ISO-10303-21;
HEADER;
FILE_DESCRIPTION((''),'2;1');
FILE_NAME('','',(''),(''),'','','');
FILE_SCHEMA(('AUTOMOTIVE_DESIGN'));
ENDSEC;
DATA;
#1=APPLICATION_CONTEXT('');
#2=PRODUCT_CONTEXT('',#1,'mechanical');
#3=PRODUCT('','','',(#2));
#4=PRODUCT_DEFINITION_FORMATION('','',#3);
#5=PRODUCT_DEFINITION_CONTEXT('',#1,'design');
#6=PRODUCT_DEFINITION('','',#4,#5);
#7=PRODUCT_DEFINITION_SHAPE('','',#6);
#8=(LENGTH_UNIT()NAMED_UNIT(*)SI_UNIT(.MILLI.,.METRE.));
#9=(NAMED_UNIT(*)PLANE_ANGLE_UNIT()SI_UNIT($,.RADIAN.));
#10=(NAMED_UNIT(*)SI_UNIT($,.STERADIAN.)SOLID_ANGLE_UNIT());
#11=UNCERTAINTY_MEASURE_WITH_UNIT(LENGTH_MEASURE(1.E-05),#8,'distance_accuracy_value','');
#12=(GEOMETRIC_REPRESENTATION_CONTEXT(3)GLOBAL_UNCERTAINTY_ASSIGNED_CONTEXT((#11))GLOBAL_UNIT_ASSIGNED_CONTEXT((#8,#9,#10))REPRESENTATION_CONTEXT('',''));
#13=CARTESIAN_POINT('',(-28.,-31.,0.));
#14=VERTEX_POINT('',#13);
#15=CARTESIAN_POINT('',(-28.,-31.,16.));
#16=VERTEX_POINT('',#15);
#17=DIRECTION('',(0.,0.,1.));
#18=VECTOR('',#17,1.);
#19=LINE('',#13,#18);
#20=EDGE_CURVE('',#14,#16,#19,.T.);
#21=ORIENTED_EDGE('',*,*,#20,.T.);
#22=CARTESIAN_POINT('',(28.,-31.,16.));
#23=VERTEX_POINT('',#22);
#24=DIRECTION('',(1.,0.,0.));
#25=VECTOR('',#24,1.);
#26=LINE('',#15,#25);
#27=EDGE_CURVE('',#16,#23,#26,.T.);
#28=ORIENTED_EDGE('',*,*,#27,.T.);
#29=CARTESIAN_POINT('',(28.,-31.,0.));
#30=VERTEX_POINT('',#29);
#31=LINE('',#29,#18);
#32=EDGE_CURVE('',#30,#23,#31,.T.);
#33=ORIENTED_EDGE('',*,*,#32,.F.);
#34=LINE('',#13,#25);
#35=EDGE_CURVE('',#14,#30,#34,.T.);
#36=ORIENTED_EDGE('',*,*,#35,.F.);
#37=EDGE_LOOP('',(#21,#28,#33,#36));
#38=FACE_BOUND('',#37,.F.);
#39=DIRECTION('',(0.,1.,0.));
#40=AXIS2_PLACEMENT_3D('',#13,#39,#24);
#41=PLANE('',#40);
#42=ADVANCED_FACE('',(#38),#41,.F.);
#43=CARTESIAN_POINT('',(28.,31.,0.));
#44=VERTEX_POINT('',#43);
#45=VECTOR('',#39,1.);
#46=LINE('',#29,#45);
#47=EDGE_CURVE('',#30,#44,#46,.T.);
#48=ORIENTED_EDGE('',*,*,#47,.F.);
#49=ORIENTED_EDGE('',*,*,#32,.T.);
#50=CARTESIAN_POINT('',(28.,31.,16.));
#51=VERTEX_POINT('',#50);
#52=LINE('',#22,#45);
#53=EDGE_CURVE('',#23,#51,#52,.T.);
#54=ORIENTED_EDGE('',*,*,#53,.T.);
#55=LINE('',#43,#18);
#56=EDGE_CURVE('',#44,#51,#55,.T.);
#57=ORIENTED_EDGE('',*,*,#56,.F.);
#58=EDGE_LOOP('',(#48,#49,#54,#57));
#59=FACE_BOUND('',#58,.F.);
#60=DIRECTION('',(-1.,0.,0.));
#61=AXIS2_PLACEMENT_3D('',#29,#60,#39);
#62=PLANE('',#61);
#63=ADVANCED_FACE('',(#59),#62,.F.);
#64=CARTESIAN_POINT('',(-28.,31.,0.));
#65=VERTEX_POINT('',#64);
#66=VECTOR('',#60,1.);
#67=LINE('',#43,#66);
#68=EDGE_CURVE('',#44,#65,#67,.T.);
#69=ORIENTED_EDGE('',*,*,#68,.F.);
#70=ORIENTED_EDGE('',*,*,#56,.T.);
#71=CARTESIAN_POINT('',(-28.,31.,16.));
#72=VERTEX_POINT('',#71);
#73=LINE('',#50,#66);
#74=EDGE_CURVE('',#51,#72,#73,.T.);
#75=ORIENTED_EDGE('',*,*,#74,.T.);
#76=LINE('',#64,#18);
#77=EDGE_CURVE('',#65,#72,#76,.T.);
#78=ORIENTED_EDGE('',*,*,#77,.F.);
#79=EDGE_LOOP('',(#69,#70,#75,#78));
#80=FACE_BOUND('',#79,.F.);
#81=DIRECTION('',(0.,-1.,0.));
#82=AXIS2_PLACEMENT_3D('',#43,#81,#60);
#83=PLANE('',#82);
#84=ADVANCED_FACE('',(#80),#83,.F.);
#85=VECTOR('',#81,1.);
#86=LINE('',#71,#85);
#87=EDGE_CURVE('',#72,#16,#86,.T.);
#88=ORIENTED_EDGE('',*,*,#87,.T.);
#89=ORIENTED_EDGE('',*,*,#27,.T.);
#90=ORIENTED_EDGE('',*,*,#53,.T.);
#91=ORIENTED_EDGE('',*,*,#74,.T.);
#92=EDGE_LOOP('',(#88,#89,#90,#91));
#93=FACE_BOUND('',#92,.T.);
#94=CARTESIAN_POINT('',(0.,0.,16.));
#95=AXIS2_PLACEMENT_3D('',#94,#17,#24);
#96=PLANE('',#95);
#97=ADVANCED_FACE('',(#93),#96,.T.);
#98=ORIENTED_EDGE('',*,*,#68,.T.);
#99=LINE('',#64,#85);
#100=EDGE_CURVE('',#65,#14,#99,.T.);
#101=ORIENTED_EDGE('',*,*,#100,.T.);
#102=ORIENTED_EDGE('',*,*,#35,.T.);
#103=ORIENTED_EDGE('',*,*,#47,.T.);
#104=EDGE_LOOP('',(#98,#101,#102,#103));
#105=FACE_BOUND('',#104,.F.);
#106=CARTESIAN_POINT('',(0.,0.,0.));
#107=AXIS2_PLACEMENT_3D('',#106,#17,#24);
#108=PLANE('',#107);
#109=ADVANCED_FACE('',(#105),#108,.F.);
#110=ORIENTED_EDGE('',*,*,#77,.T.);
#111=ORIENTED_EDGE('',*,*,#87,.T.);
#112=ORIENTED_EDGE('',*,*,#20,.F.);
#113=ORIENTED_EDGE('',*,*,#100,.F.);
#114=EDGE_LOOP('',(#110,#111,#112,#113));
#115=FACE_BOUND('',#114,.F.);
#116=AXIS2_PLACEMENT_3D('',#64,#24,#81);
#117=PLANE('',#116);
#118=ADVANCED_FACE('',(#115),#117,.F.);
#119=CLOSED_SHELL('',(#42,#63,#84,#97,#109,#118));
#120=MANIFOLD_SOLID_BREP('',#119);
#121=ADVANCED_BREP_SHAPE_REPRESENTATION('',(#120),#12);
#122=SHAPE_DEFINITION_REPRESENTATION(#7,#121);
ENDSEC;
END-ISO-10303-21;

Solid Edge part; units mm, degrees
sketch "Sketch1" plane through (0, 0, 0) normal (0, 0, 1) x (1, 0, 0)
  line L0 (-28, -31) -> (28, -31)
  line L1 (28, -31) -> (28, 31)
  line L2 (28, 31) -> (-28, 31)
  line L3 (-28, 31) -> (-28, -31)
  dimension "D1" = 62
  dimension "D2" = 56
extrude "Ajout_matière_1" add sketch "Sketch1" along normal blind 16
properties part number "21" material "Acier S235"
